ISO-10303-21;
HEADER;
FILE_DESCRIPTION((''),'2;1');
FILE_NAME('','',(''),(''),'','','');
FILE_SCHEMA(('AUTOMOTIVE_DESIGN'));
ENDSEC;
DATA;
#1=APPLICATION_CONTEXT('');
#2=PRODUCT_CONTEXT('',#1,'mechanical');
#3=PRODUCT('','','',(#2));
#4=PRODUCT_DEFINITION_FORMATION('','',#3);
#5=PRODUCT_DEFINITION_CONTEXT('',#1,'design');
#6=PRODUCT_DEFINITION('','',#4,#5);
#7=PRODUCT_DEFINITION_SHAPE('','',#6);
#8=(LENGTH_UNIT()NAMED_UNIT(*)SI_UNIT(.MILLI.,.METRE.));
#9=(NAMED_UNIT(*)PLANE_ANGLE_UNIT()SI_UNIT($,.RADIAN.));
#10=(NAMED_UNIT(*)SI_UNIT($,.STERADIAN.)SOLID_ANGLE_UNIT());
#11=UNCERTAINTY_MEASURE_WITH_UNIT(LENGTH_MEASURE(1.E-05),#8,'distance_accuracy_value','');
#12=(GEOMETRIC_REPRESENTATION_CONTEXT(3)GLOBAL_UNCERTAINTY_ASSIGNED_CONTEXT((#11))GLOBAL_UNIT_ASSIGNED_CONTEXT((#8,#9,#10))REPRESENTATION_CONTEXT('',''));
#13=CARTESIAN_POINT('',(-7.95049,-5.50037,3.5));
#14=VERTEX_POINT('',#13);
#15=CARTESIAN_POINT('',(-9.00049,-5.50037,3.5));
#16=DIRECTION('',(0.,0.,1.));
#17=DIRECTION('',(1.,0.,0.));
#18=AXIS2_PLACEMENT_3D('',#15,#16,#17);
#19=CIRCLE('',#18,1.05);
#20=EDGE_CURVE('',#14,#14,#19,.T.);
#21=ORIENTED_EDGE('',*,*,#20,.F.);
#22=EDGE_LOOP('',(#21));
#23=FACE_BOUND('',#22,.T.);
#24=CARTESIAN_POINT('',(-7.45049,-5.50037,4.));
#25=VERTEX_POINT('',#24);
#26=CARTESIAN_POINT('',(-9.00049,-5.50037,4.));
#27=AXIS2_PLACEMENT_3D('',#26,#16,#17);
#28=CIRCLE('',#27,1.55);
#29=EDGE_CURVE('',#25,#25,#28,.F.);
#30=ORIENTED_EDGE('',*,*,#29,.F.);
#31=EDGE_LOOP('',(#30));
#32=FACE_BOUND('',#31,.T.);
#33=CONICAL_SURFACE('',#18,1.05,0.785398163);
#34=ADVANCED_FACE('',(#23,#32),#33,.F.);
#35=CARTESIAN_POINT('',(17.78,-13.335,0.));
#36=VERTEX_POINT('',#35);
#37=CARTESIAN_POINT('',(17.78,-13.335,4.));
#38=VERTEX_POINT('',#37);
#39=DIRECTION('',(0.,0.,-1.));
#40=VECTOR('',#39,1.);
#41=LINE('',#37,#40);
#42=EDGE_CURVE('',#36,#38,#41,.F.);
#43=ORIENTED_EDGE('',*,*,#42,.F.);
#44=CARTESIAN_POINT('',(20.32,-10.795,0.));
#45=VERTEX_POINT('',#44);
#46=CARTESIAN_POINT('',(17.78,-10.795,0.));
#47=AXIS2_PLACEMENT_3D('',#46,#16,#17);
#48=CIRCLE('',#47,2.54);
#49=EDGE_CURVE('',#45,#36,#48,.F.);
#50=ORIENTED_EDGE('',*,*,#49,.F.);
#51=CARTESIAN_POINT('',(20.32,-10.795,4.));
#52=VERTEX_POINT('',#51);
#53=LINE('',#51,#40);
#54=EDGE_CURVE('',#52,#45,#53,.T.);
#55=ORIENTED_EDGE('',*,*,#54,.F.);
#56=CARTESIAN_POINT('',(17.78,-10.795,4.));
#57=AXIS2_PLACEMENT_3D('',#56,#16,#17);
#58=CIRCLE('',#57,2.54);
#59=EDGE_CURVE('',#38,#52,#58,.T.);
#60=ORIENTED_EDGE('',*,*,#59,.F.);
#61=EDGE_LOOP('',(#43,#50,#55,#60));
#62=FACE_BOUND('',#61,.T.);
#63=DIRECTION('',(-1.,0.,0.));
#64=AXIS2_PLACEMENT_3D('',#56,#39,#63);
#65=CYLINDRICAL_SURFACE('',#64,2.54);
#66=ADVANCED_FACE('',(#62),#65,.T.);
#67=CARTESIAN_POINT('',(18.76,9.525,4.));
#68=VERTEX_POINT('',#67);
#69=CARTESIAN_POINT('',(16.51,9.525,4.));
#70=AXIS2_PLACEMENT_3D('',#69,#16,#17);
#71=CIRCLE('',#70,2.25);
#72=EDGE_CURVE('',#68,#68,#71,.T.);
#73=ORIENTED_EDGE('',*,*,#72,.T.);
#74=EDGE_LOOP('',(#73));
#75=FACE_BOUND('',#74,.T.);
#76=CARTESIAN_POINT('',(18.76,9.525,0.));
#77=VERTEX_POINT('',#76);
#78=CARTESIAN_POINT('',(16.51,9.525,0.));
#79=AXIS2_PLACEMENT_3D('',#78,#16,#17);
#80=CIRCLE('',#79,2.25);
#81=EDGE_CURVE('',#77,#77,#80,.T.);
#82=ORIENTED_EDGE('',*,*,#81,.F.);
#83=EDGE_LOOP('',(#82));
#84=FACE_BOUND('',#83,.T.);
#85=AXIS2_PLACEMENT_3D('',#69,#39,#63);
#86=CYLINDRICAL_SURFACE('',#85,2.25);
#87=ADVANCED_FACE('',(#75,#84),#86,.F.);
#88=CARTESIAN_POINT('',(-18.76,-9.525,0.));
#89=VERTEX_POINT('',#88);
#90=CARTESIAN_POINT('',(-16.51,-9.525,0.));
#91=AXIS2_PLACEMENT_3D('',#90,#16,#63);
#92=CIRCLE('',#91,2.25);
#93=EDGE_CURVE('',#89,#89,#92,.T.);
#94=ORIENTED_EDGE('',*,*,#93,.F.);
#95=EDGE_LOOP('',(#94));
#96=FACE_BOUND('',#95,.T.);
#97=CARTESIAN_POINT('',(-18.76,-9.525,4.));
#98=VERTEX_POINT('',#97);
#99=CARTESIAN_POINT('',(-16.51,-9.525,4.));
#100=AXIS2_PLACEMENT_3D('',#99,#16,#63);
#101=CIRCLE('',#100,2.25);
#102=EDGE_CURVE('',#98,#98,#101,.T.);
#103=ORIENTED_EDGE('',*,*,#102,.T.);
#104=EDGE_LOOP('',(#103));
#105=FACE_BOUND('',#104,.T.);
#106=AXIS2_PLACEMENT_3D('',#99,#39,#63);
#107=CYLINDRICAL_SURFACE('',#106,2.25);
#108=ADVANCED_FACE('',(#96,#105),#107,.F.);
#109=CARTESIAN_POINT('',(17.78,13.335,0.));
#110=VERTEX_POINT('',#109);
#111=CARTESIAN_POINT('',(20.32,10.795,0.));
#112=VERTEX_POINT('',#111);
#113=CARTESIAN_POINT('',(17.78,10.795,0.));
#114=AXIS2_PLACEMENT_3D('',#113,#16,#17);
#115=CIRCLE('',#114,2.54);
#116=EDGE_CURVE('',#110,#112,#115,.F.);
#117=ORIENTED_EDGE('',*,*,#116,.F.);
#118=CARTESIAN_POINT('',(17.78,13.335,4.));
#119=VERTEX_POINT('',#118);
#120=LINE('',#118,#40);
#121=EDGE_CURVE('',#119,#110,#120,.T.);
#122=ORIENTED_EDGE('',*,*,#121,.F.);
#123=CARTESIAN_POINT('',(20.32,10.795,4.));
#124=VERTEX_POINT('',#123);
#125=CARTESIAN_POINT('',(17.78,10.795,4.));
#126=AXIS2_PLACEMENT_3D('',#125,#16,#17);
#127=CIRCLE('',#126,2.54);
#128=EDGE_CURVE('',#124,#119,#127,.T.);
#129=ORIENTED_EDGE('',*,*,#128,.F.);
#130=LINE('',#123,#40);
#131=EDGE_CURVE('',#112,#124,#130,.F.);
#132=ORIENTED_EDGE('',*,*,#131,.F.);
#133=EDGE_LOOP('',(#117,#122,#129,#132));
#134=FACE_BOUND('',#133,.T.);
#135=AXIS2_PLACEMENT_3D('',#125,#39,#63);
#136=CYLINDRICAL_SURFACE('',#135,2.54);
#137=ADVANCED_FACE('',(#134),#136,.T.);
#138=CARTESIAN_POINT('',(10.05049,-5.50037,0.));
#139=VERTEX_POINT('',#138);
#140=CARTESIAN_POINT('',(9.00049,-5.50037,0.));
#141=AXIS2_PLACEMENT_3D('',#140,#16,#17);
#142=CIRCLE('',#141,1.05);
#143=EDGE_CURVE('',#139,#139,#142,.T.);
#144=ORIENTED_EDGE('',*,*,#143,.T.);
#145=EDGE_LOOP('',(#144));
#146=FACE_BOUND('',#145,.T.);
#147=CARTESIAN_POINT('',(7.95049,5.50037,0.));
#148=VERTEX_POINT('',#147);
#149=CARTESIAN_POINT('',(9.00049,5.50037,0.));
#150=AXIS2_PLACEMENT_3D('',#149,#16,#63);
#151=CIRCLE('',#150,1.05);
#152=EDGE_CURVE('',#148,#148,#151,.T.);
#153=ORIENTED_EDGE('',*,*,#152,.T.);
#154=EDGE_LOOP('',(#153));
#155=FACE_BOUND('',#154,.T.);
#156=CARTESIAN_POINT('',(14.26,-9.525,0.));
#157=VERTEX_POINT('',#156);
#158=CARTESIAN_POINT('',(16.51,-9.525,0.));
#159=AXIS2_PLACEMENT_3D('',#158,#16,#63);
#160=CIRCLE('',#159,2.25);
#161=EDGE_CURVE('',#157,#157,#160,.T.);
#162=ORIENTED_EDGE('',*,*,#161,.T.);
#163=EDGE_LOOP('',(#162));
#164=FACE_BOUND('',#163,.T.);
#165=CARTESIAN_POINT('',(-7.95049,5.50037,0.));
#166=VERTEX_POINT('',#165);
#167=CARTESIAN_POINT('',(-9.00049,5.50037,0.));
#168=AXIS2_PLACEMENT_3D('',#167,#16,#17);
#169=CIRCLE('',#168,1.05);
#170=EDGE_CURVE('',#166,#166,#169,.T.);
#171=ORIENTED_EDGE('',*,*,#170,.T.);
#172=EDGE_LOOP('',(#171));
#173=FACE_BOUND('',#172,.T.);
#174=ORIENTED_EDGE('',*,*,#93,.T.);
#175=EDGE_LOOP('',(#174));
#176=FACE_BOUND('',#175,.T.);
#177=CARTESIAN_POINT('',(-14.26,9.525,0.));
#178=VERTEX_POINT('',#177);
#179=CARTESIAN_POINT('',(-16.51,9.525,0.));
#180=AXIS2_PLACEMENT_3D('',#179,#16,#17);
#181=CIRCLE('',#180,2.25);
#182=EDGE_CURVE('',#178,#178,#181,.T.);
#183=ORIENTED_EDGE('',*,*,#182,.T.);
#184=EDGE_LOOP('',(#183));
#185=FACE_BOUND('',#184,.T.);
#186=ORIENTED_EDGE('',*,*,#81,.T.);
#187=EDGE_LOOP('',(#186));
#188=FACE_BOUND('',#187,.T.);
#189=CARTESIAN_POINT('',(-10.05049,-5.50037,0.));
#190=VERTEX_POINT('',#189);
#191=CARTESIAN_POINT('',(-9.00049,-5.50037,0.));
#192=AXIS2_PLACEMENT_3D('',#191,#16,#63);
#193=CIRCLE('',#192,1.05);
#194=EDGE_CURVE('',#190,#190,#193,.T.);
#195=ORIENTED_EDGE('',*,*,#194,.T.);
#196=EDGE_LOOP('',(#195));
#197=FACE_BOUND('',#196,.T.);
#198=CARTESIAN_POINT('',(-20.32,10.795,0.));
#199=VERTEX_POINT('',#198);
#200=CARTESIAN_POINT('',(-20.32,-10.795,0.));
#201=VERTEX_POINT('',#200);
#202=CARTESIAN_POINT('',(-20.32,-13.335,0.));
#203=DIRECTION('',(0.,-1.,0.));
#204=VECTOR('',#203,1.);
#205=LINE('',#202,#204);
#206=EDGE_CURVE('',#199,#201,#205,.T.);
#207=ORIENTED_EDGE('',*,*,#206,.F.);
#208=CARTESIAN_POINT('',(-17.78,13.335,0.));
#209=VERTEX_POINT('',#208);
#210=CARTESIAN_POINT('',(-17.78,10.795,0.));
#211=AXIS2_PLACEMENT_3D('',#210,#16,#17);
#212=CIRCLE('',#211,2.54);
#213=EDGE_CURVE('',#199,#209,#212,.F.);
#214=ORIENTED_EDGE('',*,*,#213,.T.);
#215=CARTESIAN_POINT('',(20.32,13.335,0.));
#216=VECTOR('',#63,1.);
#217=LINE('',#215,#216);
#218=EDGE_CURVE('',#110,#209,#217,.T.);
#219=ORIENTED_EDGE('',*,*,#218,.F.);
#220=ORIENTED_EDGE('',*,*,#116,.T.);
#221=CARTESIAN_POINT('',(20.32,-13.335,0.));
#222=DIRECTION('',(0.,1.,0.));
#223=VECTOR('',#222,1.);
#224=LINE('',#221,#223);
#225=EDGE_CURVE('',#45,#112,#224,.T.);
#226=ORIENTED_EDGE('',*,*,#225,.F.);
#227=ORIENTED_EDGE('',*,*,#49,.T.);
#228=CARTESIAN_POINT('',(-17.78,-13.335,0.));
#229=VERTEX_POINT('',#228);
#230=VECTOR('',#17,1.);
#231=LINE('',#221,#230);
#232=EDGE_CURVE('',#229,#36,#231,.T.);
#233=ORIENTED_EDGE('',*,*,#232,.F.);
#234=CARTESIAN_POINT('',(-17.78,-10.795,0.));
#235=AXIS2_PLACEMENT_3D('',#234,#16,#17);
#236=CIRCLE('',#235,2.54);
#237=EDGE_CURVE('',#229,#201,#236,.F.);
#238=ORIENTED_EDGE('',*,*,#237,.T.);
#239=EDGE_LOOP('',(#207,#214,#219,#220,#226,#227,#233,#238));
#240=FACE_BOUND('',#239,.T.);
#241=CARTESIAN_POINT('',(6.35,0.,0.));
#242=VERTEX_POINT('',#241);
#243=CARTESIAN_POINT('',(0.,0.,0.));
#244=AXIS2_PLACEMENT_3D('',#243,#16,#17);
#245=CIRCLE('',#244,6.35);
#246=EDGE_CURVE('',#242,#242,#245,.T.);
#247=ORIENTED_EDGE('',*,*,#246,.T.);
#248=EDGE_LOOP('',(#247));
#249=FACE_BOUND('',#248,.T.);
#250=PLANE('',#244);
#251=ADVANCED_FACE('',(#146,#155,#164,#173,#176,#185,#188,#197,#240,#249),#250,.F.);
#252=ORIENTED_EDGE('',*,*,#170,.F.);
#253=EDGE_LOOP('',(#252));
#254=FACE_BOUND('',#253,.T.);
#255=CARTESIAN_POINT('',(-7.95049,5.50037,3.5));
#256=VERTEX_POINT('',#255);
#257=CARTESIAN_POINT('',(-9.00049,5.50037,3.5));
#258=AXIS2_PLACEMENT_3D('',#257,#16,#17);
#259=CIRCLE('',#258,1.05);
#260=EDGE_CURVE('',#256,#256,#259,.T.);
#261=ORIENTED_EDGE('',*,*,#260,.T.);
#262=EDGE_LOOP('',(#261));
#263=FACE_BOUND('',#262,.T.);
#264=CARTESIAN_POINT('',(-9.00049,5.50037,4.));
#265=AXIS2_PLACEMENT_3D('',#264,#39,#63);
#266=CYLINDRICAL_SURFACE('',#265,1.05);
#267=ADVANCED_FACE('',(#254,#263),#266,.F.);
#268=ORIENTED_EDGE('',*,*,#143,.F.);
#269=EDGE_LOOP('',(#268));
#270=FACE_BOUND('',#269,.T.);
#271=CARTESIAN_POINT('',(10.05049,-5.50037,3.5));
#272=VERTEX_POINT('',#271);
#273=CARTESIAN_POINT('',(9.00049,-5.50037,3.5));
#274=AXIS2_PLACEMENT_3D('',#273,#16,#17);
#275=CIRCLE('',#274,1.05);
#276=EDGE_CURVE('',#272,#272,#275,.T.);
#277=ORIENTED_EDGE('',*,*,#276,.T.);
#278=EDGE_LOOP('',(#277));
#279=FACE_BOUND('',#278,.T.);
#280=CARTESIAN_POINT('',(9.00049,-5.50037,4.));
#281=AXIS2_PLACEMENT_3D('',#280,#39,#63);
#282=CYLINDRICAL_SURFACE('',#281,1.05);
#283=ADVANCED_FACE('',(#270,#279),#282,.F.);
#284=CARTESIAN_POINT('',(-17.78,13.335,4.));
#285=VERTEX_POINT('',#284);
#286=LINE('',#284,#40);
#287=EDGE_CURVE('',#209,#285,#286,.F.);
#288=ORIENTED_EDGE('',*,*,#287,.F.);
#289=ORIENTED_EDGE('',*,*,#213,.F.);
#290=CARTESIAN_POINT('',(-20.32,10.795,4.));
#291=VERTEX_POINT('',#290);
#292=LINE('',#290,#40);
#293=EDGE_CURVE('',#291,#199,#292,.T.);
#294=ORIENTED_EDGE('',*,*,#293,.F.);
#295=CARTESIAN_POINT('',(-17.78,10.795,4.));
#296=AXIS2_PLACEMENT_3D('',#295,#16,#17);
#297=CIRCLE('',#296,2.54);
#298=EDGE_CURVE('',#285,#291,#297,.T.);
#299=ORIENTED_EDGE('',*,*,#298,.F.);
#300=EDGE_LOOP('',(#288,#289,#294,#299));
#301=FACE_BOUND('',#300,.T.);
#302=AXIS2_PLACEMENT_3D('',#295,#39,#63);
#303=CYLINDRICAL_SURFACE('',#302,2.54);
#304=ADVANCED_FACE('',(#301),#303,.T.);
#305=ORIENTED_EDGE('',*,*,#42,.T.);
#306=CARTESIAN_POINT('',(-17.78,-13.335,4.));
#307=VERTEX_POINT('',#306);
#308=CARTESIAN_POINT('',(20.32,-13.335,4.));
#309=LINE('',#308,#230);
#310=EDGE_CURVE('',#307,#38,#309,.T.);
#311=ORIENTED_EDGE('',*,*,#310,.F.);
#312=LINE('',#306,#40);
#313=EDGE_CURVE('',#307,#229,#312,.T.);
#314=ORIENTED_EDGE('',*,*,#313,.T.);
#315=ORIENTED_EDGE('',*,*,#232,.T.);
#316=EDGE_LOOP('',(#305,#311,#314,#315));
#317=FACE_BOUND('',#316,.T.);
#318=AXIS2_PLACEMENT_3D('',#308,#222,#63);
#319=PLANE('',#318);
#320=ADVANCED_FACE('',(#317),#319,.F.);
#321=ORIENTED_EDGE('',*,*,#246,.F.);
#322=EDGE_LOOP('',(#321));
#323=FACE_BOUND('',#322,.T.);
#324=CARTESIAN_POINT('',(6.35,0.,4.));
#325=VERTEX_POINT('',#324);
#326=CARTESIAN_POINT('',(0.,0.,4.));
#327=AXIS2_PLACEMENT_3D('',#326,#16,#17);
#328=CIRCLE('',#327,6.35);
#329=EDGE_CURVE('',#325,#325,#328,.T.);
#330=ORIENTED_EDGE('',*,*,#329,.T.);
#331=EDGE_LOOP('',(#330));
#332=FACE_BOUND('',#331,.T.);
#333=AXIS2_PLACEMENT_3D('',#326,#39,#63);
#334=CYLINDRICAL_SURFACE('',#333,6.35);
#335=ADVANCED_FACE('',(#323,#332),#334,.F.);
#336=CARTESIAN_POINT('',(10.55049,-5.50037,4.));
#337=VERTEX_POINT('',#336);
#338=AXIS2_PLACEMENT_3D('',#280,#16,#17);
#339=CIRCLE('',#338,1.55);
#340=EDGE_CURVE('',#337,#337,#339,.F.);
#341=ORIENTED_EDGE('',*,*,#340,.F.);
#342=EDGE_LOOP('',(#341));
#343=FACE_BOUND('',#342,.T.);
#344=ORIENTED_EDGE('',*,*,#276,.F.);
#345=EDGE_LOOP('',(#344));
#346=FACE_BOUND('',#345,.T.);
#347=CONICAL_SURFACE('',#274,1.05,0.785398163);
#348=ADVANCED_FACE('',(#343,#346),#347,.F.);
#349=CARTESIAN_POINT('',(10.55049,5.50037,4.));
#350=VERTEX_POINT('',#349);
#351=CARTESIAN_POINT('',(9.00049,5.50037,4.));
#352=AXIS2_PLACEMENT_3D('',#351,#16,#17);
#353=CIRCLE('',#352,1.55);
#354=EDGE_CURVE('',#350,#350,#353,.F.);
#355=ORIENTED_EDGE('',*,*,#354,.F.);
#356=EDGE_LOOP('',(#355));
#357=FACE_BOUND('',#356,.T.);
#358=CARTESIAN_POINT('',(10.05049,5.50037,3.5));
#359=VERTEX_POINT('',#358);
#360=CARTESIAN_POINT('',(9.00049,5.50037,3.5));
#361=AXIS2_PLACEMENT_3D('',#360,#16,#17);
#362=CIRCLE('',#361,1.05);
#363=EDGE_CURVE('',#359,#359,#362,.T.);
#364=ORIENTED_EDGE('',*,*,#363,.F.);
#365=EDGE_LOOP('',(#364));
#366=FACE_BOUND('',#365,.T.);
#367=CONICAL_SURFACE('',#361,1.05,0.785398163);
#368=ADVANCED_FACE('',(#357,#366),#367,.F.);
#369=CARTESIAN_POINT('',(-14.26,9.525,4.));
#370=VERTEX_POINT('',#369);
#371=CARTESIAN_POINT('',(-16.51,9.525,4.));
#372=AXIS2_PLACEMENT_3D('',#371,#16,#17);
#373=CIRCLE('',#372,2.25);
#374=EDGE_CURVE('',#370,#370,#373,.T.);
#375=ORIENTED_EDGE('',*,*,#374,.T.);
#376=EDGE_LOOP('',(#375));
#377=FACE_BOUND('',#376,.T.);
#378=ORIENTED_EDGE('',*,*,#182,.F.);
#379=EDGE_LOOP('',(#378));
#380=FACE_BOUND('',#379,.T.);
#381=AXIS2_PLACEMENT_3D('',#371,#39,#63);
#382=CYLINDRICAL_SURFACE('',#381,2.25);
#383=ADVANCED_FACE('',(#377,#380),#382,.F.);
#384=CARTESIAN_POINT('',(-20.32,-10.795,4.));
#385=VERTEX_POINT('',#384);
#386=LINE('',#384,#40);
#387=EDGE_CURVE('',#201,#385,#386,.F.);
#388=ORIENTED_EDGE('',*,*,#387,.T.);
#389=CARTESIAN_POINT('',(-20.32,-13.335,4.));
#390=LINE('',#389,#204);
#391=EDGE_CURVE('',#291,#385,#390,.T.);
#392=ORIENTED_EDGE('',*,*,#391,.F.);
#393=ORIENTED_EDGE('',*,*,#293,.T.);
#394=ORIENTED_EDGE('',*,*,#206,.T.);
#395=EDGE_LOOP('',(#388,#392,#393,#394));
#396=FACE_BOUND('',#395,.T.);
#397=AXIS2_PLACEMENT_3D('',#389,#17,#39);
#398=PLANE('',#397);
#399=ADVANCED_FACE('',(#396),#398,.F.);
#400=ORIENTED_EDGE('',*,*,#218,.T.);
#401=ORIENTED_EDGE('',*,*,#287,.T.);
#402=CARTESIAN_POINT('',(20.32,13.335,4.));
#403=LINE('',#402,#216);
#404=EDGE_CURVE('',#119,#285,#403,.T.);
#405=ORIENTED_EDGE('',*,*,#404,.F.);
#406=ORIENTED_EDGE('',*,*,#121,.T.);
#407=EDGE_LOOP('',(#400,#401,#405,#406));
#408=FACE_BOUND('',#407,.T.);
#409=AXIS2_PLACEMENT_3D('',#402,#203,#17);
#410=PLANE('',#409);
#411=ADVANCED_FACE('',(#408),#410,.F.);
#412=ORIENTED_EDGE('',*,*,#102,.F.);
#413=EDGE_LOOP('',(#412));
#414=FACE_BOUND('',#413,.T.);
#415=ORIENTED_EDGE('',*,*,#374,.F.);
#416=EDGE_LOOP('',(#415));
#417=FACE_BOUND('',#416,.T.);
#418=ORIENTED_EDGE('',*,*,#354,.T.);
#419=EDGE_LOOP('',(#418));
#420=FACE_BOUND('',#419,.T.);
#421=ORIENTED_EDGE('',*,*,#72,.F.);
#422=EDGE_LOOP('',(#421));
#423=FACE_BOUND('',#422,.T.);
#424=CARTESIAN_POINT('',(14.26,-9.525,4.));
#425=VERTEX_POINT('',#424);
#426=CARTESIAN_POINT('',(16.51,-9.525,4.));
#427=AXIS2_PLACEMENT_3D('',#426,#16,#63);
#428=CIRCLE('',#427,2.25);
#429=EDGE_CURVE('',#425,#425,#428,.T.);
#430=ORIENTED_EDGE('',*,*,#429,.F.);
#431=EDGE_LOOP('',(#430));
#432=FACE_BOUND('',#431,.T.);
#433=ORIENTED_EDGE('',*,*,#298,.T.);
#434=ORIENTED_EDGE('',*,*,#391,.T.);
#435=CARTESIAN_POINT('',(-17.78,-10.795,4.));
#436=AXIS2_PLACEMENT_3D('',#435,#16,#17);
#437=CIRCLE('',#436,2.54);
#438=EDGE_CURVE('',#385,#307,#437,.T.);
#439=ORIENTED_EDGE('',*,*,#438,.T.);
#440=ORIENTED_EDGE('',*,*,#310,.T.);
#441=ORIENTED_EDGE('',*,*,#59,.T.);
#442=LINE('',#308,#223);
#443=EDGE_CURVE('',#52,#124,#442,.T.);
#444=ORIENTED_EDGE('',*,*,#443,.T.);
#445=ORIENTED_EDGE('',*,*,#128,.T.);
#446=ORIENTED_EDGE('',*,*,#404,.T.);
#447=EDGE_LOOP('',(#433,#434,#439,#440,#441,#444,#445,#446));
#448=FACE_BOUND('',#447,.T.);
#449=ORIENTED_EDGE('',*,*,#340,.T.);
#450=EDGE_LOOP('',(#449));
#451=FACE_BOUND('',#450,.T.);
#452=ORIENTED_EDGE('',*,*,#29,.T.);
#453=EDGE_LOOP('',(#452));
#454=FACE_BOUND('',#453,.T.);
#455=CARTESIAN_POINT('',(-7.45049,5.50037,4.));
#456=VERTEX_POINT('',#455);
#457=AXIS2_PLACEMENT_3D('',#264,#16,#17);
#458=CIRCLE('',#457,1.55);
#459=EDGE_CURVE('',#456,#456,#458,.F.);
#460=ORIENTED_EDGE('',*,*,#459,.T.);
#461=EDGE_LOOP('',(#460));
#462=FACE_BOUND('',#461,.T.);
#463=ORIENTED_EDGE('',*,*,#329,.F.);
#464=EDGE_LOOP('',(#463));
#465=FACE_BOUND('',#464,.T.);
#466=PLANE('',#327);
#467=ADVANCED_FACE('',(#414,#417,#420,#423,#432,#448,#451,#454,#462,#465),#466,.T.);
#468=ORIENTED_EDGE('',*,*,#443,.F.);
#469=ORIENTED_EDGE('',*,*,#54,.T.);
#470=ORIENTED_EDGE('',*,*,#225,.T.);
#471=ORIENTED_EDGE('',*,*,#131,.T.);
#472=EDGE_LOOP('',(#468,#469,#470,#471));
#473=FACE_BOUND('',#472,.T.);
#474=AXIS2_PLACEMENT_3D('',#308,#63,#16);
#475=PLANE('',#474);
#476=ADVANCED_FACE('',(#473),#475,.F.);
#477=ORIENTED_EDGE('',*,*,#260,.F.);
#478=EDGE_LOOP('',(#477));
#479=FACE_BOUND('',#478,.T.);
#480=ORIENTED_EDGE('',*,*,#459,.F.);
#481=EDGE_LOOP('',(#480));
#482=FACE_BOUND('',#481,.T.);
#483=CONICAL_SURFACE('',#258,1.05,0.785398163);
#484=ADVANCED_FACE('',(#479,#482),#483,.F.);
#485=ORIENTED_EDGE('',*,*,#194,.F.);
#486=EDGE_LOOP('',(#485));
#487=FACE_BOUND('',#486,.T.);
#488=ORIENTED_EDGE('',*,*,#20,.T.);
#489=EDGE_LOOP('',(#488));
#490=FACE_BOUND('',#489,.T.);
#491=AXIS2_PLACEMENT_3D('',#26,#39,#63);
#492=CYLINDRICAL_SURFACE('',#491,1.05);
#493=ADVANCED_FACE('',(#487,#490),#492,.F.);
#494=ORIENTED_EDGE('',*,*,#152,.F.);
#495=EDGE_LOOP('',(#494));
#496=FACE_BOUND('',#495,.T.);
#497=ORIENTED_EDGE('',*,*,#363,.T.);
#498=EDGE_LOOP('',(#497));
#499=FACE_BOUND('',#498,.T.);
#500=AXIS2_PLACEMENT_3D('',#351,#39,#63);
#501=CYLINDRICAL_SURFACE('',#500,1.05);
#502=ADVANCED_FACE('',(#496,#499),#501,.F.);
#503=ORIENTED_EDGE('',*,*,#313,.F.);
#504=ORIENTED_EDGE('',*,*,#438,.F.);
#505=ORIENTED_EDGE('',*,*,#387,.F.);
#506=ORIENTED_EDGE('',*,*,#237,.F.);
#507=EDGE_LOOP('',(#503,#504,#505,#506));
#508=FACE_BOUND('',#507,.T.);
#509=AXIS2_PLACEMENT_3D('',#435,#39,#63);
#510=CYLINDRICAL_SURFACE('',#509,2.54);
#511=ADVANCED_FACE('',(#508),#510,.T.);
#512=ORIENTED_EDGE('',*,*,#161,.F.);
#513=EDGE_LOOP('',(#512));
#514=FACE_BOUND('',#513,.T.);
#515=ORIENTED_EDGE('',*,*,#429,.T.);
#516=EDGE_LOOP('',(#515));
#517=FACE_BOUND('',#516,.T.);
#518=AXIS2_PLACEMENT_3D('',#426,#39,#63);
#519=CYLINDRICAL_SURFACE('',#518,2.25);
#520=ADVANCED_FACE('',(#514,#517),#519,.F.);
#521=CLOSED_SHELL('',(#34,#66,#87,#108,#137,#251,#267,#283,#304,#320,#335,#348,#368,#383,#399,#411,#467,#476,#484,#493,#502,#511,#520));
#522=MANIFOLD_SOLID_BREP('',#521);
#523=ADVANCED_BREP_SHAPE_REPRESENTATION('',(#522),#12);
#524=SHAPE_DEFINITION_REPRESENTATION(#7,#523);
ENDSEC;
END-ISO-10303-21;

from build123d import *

# Parameters (mm, degrees)
SKETCH1_W           = 40.64
SKETCH1_H           = 26.67
SKETCH1_R           = 2.25
SKETCH1_R_2         = 1.05
SKETCH1_R_3         = 6.35
BOSS_EXTRUDE1_DEPTH = 4
FILLET1_R           = 2.54
CHAMFER1_SIZE       = 0.5


with BuildPart() as part:
    # Sketch1 → Boss-Extrude1 (new body)
    with BuildSketch(Plane.XY):
        Rectangle(SKETCH1_W, SKETCH1_H)
        with Locations((-16.51, 9.525)):
            Circle(SKETCH1_R, mode=Mode.SUBTRACT)
        with Locations((16.51, 9.525)):
            Circle(SKETCH1_R, mode=Mode.SUBTRACT)
        with Locations(Location((16.51, -9.525, 0), (0, 0, 180))):
            Circle(SKETCH1_R, mode=Mode.SUBTRACT)
        with Locations(Location((-16.51, -9.525, 0), (0, 0, 180))):
            Circle(SKETCH1_R, mode=Mode.SUBTRACT)
        with Locations((-9.00049, 5.50037)):
            Circle(SKETCH1_R_2, mode=Mode.SUBTRACT)
        with Locations((9.00049, -5.50037)):
            Circle(SKETCH1_R_2, mode=Mode.SUBTRACT)
        Circle(SKETCH1_R_3, mode=Mode.SUBTRACT)
        with Locations(Location((-9.00049, -5.50037, 0), (0, 0, 180))):
            Circle(SKETCH1_R_2, mode=Mode.SUBTRACT)
        with Locations(Location((9.00049, 5.50037, 0), (0, 0, 180))):
            Circle(SKETCH1_R_2, mode=Mode.SUBTRACT)
    extrude(amount=BOSS_EXTRUDE1_DEPTH)

    # Fillet1
    fillet1_edges = [part.edges().sort_by_distance(p)[0] for p in [
        (-20.32, 13.335, 2),
        (20.32, 13.335, 2),
        (20.32, -13.335, 2),
        (-20.32, -13.335, 2),
    ]]
    fillet(fillet1_edges, radius=FILLET1_R)

    # Chamfer1
    chamfer1_edges = [part.edges().sort_by_distance(p)[0] for p in [
        (7.95049, -5.50037, 4),
        (-10.05049, 5.50037, 4),
        (-7.95049, -5.50037, 4),
        (10.05049, 5.50037, 4),
    ]]
    chamfer(chamfer1_edges, length=CHAMFER1_SIZE)


solid = part.part
